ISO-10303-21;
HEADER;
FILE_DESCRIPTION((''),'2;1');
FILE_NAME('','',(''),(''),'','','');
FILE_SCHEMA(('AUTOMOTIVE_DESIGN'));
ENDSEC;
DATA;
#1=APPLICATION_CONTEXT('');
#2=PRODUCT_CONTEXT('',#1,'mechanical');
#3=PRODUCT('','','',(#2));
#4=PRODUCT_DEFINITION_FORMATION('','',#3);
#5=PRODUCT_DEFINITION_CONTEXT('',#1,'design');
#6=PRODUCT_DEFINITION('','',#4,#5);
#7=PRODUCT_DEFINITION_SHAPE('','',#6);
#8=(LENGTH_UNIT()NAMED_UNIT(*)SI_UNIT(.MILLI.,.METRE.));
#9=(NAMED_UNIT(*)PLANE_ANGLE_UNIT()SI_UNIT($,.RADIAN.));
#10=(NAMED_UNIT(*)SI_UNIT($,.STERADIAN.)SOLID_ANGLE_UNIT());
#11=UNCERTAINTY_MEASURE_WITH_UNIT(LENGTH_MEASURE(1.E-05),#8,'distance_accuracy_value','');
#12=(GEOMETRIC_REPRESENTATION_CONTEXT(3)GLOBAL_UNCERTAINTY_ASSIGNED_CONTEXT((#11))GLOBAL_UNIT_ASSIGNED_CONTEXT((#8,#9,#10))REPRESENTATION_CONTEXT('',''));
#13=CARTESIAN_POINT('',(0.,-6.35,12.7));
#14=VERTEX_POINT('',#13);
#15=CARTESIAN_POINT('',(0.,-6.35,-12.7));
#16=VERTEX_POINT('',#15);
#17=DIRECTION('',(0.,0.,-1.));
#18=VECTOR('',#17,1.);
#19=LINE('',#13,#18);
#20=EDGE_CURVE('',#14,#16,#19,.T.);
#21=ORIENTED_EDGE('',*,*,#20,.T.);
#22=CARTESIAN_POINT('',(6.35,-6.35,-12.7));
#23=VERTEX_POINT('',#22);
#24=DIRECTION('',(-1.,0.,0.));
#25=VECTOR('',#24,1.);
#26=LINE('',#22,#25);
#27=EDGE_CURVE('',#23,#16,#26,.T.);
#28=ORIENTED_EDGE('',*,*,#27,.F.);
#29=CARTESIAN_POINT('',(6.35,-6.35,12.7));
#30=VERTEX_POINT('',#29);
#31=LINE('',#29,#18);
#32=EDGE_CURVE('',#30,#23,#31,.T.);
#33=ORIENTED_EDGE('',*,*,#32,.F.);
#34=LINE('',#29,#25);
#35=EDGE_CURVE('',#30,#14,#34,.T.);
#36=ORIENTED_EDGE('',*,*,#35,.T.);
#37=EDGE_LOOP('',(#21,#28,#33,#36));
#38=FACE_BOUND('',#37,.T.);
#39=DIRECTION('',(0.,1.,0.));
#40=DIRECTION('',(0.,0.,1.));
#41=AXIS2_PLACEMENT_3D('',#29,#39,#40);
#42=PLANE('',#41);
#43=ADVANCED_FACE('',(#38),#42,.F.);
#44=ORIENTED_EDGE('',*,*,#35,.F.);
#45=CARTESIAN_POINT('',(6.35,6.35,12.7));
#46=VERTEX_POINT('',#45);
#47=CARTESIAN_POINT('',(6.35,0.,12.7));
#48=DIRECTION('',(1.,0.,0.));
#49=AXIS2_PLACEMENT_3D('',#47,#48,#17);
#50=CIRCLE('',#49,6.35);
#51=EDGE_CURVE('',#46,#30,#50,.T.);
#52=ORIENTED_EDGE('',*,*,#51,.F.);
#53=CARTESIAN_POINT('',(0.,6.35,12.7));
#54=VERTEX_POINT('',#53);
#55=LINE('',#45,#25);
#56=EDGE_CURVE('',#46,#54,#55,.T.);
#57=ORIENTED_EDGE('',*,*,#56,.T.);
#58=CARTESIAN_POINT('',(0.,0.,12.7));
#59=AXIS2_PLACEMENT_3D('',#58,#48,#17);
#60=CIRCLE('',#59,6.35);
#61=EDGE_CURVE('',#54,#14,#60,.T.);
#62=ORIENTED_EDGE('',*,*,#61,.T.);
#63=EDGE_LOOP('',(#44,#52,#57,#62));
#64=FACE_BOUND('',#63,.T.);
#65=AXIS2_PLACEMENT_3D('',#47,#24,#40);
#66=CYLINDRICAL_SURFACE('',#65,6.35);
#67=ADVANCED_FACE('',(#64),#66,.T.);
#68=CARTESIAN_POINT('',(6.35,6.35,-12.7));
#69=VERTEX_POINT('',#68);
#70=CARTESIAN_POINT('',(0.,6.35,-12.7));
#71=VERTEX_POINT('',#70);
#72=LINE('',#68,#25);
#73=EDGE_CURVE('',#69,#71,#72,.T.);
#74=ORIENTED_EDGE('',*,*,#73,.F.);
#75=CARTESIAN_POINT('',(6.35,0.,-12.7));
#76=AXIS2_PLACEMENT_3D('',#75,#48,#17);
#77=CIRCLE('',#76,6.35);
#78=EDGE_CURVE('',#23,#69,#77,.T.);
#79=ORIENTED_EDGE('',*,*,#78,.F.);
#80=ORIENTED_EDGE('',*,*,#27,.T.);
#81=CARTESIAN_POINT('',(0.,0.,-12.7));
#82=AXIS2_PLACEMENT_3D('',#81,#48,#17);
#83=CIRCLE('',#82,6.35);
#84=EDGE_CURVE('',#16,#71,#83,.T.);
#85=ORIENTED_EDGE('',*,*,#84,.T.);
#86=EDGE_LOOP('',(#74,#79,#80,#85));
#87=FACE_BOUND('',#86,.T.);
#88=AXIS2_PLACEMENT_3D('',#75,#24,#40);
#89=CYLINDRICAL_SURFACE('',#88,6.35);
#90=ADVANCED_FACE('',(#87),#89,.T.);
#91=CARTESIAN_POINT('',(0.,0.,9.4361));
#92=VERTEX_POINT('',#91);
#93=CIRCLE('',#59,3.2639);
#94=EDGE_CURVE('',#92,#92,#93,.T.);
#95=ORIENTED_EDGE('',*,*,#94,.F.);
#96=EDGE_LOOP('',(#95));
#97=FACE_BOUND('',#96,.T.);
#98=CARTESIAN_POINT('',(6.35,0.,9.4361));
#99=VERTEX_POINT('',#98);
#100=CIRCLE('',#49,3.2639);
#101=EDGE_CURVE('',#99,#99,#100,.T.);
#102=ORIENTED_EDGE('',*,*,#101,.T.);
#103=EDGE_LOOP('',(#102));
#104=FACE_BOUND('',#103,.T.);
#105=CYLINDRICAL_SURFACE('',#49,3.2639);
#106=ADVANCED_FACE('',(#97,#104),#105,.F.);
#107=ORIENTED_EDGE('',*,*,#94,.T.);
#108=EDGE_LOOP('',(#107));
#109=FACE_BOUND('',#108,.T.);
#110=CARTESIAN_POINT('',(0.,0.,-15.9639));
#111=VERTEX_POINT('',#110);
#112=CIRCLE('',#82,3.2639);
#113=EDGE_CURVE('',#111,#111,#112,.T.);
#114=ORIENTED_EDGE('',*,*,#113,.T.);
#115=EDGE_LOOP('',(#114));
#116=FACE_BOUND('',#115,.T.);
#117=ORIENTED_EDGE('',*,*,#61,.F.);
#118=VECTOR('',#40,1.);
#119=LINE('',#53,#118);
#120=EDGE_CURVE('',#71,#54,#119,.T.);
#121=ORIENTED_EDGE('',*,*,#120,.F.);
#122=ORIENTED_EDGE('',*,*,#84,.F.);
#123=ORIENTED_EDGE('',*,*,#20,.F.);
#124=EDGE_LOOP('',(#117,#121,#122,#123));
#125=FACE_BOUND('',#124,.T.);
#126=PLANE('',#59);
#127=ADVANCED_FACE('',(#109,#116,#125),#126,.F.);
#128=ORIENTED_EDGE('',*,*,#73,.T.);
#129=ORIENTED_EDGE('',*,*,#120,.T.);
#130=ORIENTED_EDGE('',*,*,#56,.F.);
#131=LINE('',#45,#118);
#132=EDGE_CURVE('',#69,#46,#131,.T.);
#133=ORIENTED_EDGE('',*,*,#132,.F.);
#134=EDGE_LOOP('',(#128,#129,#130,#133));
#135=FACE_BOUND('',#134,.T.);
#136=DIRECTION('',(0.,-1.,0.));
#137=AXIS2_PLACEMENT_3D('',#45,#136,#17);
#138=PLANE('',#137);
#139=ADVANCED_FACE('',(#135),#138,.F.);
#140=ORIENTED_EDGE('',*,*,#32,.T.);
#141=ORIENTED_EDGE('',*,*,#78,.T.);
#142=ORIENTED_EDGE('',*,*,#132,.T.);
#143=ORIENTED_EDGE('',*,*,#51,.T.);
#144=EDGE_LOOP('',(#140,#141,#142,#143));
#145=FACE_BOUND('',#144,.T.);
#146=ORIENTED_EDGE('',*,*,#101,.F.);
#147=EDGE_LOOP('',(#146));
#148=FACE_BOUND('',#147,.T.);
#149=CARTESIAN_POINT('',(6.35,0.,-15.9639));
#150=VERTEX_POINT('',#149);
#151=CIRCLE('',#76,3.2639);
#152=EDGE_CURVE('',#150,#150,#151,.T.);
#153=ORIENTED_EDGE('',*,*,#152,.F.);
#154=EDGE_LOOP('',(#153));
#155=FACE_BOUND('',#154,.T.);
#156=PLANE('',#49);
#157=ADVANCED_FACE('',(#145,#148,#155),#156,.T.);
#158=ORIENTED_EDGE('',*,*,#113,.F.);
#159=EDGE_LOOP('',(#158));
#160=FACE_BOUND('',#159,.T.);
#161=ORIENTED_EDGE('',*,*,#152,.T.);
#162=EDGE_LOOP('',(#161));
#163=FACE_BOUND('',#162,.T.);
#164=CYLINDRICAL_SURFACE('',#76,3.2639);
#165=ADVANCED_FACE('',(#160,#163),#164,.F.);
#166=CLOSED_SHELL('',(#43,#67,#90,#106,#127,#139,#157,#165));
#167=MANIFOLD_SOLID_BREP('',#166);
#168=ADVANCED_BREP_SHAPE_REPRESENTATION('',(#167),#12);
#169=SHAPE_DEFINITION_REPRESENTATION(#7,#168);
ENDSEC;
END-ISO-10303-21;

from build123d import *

# Parameters (mm, degrees)
BOSS_EXTRUDE1_DEPTH      = 6.35
F_5_16_18_TAPPED_HOLE1_D = 6.5278


with BuildPart() as part:
    # Sketch1 → Boss-Extrude1 (new body)
    with BuildSketch(Plane(origin=(0, 0, 0), x_dir=(0, 0, -1), z_dir=(1, 0, 0))):
        with BuildLine():
            Line((-12.7, 6.35), (12.7, 6.35))
            ThreePointArc((12.7, 6.35), (19.05, 0), (12.7, -6.35))
            Line((12.7, -6.35), (-12.7, -6.35))
            ThreePointArc((-12.7, -6.35), (-19.05, 0), (-12.7, 6.35))
        make_face()
    extrude(amount=BOSS_EXTRUDE1_DEPTH)

    # 5/16-18 Tapped Hole1 (through all)
    with Locations(Plane(origin=(6.35, 0, 0), x_dir=(0, 0, -1), z_dir=(1, 0, 0))):
        with Locations((-12.7, 0), (12.7, 0)):
            Hole(F_5_16_18_TAPPED_HOLE1_D / 2)


solid = part.part
